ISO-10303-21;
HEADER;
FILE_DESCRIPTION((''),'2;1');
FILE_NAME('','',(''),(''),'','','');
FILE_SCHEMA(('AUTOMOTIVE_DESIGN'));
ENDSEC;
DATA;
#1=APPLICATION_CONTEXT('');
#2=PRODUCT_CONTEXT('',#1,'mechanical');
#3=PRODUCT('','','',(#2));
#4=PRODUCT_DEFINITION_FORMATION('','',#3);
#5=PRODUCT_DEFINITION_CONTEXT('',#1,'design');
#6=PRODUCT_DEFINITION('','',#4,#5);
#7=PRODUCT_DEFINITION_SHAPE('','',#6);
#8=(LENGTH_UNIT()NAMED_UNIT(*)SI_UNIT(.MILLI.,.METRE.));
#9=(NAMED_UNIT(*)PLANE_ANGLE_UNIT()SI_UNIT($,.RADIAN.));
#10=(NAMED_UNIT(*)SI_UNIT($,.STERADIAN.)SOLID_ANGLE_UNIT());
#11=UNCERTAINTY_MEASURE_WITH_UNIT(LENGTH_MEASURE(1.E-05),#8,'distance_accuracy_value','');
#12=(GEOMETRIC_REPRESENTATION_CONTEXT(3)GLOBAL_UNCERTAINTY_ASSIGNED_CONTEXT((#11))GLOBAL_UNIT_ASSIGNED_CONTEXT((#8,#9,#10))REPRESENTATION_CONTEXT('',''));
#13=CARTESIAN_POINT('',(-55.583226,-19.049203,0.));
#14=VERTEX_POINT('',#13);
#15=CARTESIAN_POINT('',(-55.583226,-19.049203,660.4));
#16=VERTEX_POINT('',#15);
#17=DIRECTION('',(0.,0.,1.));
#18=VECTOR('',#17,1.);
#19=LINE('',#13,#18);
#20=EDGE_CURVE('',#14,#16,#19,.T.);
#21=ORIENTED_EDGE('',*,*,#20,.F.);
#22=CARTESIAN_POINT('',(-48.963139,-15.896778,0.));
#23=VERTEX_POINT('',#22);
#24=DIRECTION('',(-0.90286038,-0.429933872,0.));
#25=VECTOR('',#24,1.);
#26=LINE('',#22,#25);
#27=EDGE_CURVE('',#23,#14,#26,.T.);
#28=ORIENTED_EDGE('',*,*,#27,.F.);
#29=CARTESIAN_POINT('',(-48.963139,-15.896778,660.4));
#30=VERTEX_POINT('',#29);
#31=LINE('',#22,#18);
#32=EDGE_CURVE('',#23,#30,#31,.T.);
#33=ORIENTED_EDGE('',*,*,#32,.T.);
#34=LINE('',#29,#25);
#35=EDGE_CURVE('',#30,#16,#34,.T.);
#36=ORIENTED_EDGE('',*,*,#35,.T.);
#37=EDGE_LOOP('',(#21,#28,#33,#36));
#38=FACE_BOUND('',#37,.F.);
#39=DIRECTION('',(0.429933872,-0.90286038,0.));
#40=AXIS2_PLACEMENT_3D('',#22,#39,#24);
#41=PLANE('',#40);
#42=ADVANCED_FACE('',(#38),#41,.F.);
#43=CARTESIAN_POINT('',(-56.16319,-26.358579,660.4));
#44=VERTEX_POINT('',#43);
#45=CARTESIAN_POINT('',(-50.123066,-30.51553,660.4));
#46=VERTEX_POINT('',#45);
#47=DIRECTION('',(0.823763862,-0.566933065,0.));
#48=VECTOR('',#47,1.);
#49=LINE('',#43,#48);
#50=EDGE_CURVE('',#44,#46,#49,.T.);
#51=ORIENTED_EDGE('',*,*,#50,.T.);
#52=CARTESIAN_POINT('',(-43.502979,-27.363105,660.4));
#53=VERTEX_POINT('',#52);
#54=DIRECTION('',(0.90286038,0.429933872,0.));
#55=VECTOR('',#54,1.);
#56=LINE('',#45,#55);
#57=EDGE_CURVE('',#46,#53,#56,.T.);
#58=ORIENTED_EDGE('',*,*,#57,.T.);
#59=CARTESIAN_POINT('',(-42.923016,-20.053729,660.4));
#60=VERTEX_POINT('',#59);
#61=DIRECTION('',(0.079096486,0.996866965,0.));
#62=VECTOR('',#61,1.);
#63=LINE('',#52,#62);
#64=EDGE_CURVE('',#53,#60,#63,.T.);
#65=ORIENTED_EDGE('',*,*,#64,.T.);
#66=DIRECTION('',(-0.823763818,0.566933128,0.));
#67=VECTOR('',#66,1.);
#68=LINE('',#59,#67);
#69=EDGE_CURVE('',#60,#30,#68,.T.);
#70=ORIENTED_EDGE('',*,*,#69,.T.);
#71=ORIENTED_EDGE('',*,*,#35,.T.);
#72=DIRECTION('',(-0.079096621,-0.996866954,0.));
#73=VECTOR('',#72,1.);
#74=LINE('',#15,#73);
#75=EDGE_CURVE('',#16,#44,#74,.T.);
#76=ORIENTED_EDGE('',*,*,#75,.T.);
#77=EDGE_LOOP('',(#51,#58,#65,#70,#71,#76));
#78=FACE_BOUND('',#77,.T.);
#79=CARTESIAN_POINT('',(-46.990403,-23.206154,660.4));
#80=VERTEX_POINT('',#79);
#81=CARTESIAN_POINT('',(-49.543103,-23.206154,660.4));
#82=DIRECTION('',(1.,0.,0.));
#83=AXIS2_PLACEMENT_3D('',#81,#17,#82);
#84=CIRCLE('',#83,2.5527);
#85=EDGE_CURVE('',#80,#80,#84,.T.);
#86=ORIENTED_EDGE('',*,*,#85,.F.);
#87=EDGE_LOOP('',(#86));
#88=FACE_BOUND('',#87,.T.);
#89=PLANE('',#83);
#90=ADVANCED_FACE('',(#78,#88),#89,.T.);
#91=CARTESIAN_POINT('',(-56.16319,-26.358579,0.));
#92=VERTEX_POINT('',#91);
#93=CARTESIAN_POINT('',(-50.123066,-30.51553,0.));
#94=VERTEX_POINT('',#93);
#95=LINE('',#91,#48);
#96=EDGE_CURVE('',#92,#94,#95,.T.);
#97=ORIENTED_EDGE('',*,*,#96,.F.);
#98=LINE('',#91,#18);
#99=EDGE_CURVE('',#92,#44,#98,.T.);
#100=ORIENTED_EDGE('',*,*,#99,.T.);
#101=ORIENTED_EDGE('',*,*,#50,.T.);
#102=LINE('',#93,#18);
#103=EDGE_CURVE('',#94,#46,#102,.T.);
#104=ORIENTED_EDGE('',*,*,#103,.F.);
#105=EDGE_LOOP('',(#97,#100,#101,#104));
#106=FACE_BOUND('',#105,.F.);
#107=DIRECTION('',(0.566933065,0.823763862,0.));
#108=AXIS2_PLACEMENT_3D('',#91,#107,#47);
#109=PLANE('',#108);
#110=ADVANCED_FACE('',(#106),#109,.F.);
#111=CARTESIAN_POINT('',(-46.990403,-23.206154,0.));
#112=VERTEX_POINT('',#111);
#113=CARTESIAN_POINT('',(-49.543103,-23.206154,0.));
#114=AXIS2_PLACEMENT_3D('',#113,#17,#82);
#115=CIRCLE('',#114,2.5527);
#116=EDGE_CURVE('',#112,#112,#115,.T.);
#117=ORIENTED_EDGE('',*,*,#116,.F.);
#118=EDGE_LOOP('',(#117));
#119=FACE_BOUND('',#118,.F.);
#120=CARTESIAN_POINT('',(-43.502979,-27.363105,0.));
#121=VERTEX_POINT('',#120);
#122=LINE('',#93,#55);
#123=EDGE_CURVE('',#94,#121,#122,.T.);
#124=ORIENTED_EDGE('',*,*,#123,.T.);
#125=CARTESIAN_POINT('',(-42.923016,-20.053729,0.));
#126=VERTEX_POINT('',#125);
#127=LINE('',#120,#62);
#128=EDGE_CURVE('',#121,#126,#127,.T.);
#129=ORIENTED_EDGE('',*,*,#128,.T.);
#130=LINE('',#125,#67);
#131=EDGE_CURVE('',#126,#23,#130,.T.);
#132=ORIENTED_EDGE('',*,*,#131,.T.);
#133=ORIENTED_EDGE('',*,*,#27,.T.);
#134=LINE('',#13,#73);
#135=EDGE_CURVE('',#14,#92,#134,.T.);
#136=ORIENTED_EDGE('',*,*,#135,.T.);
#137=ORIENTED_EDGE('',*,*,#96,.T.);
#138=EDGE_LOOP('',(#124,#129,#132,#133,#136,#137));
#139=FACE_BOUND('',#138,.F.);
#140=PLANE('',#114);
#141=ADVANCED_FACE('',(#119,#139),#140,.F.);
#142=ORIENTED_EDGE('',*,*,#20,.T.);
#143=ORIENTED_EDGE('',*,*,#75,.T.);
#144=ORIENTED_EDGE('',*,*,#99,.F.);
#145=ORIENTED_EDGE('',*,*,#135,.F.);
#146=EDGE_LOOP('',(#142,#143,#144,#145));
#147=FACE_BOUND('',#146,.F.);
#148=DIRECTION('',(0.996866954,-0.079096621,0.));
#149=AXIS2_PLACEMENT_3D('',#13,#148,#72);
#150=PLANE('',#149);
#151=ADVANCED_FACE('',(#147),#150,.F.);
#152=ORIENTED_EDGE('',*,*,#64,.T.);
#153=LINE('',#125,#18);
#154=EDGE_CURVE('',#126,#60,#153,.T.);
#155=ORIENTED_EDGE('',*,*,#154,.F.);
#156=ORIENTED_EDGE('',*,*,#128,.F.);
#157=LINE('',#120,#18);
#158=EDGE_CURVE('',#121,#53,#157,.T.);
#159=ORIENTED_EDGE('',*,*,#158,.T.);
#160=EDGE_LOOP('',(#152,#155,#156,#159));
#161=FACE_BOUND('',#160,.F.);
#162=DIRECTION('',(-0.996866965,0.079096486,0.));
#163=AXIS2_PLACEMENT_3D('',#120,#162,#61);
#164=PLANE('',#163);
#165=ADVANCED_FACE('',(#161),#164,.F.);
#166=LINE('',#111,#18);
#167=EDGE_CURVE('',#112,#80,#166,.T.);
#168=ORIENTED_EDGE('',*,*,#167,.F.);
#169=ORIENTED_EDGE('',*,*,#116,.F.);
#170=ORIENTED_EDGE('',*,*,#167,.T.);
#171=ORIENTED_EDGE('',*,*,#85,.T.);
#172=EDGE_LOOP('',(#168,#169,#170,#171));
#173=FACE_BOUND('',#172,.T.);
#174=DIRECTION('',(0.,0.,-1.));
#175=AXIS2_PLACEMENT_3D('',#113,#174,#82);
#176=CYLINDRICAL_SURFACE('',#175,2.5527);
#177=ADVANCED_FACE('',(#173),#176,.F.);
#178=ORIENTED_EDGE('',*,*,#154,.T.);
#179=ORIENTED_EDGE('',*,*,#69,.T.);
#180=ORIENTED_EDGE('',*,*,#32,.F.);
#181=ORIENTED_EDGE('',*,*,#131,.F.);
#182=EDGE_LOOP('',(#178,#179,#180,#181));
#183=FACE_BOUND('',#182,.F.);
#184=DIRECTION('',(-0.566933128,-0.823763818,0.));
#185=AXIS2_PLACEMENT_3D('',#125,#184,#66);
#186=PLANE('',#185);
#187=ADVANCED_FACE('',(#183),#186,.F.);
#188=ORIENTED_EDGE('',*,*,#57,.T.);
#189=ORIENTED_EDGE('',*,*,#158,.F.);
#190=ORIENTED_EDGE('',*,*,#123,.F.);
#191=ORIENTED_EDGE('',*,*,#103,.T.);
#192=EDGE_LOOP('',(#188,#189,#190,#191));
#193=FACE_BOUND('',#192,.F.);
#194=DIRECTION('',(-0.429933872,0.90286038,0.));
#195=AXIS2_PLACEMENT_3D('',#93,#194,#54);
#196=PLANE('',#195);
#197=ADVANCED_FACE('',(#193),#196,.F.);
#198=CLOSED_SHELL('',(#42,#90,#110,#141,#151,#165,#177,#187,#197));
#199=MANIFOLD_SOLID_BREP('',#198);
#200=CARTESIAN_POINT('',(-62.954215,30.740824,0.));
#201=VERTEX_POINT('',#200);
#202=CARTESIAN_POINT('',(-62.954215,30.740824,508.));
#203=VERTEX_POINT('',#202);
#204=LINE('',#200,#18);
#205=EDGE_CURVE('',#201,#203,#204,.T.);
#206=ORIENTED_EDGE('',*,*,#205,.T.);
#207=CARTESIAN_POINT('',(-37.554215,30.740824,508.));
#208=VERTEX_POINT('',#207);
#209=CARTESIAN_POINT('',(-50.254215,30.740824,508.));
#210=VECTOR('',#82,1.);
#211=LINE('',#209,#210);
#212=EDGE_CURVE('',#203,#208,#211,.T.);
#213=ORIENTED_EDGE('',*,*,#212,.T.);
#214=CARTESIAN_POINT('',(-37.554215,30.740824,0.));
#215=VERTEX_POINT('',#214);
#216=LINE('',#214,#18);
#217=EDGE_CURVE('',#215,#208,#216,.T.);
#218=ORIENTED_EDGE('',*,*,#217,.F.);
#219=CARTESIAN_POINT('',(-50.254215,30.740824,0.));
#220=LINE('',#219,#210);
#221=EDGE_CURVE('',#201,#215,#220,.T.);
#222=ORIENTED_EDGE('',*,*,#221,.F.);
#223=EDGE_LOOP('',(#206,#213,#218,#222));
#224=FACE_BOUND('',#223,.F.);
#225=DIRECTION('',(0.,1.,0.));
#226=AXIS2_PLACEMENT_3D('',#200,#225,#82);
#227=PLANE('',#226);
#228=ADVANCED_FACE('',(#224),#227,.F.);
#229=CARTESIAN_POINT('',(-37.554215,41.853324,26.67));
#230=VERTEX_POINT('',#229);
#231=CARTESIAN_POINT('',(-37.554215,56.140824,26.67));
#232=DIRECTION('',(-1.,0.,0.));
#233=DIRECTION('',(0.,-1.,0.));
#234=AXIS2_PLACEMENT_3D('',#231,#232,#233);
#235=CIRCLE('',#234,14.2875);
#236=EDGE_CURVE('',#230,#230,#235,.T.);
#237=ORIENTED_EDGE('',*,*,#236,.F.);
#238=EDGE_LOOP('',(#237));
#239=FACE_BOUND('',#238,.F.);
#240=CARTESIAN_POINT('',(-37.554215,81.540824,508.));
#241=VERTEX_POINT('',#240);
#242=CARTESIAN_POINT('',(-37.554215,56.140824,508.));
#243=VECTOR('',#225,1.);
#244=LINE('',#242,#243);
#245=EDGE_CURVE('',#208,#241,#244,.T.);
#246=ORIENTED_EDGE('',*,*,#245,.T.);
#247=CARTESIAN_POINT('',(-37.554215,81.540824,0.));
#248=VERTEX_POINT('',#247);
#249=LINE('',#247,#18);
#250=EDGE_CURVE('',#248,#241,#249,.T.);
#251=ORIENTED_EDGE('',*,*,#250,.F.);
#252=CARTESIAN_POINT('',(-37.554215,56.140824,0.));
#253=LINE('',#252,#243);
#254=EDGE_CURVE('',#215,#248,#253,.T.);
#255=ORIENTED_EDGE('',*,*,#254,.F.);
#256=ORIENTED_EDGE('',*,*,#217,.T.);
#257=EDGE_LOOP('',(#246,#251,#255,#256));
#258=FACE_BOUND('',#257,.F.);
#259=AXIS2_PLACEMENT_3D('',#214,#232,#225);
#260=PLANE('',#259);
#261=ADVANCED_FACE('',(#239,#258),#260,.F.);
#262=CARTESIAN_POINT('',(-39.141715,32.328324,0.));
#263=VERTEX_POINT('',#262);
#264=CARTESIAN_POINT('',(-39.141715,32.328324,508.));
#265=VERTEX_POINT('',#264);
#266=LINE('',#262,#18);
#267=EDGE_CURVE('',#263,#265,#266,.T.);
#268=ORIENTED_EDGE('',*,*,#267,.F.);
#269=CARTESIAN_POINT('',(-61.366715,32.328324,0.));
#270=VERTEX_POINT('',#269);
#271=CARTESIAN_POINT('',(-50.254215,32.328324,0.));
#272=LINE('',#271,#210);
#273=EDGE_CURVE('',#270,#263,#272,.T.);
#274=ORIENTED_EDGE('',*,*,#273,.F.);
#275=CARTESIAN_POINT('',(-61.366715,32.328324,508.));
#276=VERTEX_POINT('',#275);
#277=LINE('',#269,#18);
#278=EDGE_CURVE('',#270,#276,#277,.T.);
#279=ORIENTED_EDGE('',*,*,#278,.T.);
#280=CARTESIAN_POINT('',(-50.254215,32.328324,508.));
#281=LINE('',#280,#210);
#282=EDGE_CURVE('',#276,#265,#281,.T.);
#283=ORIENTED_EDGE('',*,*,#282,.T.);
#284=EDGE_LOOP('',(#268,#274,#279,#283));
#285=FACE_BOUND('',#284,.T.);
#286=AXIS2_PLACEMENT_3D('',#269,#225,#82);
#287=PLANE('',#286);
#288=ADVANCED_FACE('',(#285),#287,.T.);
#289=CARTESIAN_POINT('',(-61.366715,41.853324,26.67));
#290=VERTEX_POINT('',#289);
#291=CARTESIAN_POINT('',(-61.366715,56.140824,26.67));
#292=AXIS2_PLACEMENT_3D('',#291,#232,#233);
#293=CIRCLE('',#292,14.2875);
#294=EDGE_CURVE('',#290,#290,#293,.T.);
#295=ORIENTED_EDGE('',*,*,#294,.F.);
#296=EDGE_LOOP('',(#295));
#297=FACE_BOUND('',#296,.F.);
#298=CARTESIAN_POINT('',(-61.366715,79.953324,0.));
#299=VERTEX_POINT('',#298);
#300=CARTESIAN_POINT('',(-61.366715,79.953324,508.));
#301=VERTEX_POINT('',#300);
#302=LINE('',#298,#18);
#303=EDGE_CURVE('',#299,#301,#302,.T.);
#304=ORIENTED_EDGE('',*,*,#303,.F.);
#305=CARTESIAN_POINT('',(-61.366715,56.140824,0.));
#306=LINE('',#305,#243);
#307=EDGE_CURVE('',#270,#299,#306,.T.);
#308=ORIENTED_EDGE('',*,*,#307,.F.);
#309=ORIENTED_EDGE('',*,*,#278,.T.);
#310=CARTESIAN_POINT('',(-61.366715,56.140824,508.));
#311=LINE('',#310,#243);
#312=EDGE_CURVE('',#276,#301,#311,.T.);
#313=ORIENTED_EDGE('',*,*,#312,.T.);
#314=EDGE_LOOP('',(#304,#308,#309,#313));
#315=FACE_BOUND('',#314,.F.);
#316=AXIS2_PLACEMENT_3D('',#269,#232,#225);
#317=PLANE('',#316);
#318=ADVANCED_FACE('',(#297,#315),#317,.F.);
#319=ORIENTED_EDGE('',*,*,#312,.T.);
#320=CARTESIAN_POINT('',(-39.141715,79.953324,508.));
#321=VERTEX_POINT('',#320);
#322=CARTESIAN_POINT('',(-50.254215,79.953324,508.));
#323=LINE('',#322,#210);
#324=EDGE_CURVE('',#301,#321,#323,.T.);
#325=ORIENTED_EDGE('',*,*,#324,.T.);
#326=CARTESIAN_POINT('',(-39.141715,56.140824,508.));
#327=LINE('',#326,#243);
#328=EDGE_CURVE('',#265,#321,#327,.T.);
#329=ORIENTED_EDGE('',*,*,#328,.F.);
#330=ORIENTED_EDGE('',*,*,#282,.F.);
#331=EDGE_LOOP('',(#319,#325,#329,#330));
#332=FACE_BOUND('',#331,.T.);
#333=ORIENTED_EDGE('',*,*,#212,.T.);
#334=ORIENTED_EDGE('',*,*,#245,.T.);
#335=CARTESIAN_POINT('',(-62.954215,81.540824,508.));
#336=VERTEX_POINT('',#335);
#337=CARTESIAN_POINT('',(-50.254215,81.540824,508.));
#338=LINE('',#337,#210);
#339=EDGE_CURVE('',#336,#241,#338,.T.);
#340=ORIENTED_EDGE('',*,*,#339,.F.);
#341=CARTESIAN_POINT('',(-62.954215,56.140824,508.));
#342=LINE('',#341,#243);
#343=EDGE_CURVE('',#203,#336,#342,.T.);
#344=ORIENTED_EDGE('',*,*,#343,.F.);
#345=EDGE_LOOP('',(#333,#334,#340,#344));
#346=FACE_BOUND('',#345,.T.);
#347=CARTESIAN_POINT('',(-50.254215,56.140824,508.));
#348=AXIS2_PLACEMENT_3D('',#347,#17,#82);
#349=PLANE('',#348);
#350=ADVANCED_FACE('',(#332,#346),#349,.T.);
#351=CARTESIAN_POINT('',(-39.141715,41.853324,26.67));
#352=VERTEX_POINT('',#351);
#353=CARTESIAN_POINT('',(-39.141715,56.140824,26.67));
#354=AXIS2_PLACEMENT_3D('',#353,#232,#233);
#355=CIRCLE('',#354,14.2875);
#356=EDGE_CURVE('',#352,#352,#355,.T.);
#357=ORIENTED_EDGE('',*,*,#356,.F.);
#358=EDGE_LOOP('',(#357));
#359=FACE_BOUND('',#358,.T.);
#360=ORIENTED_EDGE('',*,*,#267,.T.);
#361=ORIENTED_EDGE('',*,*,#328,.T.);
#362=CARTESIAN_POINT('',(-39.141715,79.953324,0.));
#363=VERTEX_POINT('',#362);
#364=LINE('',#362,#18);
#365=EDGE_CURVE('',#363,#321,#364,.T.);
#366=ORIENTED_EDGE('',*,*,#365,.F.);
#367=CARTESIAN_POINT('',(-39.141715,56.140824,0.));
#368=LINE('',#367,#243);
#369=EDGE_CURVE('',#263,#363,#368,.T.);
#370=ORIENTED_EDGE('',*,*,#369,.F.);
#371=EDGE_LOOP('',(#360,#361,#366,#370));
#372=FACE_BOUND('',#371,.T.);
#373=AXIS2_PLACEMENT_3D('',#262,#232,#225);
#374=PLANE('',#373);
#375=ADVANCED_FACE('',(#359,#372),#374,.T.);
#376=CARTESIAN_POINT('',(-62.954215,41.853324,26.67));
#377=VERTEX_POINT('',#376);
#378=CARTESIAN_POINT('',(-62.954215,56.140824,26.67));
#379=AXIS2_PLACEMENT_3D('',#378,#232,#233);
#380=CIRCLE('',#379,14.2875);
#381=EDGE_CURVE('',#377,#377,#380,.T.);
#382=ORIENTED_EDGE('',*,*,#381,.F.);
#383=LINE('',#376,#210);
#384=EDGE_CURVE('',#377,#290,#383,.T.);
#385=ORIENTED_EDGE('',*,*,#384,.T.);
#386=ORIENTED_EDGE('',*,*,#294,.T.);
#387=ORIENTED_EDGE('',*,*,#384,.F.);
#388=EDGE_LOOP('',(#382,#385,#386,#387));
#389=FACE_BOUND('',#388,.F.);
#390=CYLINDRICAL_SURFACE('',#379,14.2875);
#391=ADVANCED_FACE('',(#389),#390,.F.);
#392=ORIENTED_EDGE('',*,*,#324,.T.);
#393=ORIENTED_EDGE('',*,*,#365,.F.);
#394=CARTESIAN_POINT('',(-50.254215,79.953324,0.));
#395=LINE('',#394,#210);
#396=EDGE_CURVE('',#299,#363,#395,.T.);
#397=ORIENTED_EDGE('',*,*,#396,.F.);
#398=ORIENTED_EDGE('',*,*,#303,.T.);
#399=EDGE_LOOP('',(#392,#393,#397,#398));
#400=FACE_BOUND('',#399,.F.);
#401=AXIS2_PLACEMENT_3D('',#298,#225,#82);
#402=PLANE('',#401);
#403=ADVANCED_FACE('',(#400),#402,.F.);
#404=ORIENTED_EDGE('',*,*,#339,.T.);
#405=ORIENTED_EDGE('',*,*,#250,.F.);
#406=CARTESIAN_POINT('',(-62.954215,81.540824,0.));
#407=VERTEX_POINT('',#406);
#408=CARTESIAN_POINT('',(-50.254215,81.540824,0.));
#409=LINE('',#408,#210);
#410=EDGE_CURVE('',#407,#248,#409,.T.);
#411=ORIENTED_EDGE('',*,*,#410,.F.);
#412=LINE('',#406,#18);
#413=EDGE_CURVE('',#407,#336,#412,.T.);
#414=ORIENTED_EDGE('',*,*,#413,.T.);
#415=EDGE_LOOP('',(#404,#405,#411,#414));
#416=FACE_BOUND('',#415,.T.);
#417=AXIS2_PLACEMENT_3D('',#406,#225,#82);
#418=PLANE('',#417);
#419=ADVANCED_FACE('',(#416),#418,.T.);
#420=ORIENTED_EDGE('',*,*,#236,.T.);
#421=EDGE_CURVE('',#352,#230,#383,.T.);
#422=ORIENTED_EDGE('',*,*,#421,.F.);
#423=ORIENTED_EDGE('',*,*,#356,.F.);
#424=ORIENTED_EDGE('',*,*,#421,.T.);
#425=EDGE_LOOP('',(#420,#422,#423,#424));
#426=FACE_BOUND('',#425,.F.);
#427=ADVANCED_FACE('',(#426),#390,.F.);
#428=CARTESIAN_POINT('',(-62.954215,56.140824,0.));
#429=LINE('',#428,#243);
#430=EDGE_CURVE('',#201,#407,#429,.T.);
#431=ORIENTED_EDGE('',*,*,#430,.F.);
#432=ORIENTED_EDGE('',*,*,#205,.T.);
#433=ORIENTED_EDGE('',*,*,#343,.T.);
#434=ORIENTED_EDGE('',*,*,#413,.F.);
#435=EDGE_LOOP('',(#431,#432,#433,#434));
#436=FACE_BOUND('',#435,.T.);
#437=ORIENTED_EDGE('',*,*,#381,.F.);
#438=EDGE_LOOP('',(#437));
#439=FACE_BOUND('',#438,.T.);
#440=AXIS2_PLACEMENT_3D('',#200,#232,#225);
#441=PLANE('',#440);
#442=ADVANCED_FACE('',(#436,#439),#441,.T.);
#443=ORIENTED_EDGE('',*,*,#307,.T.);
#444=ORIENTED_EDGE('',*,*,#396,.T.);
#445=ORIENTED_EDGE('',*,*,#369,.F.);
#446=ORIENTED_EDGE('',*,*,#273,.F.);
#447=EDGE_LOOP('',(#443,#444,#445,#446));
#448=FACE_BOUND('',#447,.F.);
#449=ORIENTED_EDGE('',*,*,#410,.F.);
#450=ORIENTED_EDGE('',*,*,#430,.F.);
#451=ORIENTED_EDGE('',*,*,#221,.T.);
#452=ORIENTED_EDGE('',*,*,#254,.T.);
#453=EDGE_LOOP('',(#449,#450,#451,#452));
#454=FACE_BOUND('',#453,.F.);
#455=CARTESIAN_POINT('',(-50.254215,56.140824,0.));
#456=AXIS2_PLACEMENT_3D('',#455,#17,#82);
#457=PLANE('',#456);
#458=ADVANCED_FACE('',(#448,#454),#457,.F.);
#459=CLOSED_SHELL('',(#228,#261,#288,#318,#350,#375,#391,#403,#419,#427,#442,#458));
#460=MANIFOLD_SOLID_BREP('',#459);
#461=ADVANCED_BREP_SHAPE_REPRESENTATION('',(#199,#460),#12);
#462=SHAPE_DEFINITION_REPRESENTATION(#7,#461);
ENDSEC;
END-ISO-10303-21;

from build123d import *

# Parameters (mm, degrees)
F0_W     = 25.4
F0_H     = 50.8
F0_W_2   = 22.225
F0_H_2   = 47.625
F1_DEPTH = 508
F2_R     = 14.2875
F3_DEPTH = 25.4
F4_R     = 2.5527
F5_DEPTH = 660.4


with BuildPart() as f1:
    # F0 (on Top) → F1 (new body)
    with BuildSketch(Plane.XY):
        with Locations((-50.254215, 56.140824)):
            Rectangle(F0_W, F0_H)
        with Locations((-50.254215, 56.140824)):
            Rectangle(F0_W_2, F0_H_2, mode=Mode.SUBTRACT)
    extrude(amount=F1_DEPTH)

    # F2 (on face) → F3 (cut, through all)
    with BuildSketch(Plane(origin=(-62.954215, 0, 0), x_dir=(0, -1, 0), z_dir=(-1, 0, 0))):
        with Locations((-56.140824, 26.67)):
            Circle(F2_R)
    extrude(amount=-F3_DEPTH, mode=Mode.SUBTRACT)


with BuildPart() as f5:
    # F4 (on Top) → F5 (new body)
    with BuildSketch(Plane.XY):
        Polygon((-50.123066, -30.51553), (-43.502979, -27.363105), (-42.923016, -20.053729), (-48.963139, -15.896778), (-55.583226, -19.049203), (-56.16319, -26.358579), align=None)
        with Locations((-49.543103, -23.206154)):
            Circle(F4_R, mode=Mode.SUBTRACT)
    extrude(amount=F5_DEPTH)


solid = Compound([f1.part, f5.part])
